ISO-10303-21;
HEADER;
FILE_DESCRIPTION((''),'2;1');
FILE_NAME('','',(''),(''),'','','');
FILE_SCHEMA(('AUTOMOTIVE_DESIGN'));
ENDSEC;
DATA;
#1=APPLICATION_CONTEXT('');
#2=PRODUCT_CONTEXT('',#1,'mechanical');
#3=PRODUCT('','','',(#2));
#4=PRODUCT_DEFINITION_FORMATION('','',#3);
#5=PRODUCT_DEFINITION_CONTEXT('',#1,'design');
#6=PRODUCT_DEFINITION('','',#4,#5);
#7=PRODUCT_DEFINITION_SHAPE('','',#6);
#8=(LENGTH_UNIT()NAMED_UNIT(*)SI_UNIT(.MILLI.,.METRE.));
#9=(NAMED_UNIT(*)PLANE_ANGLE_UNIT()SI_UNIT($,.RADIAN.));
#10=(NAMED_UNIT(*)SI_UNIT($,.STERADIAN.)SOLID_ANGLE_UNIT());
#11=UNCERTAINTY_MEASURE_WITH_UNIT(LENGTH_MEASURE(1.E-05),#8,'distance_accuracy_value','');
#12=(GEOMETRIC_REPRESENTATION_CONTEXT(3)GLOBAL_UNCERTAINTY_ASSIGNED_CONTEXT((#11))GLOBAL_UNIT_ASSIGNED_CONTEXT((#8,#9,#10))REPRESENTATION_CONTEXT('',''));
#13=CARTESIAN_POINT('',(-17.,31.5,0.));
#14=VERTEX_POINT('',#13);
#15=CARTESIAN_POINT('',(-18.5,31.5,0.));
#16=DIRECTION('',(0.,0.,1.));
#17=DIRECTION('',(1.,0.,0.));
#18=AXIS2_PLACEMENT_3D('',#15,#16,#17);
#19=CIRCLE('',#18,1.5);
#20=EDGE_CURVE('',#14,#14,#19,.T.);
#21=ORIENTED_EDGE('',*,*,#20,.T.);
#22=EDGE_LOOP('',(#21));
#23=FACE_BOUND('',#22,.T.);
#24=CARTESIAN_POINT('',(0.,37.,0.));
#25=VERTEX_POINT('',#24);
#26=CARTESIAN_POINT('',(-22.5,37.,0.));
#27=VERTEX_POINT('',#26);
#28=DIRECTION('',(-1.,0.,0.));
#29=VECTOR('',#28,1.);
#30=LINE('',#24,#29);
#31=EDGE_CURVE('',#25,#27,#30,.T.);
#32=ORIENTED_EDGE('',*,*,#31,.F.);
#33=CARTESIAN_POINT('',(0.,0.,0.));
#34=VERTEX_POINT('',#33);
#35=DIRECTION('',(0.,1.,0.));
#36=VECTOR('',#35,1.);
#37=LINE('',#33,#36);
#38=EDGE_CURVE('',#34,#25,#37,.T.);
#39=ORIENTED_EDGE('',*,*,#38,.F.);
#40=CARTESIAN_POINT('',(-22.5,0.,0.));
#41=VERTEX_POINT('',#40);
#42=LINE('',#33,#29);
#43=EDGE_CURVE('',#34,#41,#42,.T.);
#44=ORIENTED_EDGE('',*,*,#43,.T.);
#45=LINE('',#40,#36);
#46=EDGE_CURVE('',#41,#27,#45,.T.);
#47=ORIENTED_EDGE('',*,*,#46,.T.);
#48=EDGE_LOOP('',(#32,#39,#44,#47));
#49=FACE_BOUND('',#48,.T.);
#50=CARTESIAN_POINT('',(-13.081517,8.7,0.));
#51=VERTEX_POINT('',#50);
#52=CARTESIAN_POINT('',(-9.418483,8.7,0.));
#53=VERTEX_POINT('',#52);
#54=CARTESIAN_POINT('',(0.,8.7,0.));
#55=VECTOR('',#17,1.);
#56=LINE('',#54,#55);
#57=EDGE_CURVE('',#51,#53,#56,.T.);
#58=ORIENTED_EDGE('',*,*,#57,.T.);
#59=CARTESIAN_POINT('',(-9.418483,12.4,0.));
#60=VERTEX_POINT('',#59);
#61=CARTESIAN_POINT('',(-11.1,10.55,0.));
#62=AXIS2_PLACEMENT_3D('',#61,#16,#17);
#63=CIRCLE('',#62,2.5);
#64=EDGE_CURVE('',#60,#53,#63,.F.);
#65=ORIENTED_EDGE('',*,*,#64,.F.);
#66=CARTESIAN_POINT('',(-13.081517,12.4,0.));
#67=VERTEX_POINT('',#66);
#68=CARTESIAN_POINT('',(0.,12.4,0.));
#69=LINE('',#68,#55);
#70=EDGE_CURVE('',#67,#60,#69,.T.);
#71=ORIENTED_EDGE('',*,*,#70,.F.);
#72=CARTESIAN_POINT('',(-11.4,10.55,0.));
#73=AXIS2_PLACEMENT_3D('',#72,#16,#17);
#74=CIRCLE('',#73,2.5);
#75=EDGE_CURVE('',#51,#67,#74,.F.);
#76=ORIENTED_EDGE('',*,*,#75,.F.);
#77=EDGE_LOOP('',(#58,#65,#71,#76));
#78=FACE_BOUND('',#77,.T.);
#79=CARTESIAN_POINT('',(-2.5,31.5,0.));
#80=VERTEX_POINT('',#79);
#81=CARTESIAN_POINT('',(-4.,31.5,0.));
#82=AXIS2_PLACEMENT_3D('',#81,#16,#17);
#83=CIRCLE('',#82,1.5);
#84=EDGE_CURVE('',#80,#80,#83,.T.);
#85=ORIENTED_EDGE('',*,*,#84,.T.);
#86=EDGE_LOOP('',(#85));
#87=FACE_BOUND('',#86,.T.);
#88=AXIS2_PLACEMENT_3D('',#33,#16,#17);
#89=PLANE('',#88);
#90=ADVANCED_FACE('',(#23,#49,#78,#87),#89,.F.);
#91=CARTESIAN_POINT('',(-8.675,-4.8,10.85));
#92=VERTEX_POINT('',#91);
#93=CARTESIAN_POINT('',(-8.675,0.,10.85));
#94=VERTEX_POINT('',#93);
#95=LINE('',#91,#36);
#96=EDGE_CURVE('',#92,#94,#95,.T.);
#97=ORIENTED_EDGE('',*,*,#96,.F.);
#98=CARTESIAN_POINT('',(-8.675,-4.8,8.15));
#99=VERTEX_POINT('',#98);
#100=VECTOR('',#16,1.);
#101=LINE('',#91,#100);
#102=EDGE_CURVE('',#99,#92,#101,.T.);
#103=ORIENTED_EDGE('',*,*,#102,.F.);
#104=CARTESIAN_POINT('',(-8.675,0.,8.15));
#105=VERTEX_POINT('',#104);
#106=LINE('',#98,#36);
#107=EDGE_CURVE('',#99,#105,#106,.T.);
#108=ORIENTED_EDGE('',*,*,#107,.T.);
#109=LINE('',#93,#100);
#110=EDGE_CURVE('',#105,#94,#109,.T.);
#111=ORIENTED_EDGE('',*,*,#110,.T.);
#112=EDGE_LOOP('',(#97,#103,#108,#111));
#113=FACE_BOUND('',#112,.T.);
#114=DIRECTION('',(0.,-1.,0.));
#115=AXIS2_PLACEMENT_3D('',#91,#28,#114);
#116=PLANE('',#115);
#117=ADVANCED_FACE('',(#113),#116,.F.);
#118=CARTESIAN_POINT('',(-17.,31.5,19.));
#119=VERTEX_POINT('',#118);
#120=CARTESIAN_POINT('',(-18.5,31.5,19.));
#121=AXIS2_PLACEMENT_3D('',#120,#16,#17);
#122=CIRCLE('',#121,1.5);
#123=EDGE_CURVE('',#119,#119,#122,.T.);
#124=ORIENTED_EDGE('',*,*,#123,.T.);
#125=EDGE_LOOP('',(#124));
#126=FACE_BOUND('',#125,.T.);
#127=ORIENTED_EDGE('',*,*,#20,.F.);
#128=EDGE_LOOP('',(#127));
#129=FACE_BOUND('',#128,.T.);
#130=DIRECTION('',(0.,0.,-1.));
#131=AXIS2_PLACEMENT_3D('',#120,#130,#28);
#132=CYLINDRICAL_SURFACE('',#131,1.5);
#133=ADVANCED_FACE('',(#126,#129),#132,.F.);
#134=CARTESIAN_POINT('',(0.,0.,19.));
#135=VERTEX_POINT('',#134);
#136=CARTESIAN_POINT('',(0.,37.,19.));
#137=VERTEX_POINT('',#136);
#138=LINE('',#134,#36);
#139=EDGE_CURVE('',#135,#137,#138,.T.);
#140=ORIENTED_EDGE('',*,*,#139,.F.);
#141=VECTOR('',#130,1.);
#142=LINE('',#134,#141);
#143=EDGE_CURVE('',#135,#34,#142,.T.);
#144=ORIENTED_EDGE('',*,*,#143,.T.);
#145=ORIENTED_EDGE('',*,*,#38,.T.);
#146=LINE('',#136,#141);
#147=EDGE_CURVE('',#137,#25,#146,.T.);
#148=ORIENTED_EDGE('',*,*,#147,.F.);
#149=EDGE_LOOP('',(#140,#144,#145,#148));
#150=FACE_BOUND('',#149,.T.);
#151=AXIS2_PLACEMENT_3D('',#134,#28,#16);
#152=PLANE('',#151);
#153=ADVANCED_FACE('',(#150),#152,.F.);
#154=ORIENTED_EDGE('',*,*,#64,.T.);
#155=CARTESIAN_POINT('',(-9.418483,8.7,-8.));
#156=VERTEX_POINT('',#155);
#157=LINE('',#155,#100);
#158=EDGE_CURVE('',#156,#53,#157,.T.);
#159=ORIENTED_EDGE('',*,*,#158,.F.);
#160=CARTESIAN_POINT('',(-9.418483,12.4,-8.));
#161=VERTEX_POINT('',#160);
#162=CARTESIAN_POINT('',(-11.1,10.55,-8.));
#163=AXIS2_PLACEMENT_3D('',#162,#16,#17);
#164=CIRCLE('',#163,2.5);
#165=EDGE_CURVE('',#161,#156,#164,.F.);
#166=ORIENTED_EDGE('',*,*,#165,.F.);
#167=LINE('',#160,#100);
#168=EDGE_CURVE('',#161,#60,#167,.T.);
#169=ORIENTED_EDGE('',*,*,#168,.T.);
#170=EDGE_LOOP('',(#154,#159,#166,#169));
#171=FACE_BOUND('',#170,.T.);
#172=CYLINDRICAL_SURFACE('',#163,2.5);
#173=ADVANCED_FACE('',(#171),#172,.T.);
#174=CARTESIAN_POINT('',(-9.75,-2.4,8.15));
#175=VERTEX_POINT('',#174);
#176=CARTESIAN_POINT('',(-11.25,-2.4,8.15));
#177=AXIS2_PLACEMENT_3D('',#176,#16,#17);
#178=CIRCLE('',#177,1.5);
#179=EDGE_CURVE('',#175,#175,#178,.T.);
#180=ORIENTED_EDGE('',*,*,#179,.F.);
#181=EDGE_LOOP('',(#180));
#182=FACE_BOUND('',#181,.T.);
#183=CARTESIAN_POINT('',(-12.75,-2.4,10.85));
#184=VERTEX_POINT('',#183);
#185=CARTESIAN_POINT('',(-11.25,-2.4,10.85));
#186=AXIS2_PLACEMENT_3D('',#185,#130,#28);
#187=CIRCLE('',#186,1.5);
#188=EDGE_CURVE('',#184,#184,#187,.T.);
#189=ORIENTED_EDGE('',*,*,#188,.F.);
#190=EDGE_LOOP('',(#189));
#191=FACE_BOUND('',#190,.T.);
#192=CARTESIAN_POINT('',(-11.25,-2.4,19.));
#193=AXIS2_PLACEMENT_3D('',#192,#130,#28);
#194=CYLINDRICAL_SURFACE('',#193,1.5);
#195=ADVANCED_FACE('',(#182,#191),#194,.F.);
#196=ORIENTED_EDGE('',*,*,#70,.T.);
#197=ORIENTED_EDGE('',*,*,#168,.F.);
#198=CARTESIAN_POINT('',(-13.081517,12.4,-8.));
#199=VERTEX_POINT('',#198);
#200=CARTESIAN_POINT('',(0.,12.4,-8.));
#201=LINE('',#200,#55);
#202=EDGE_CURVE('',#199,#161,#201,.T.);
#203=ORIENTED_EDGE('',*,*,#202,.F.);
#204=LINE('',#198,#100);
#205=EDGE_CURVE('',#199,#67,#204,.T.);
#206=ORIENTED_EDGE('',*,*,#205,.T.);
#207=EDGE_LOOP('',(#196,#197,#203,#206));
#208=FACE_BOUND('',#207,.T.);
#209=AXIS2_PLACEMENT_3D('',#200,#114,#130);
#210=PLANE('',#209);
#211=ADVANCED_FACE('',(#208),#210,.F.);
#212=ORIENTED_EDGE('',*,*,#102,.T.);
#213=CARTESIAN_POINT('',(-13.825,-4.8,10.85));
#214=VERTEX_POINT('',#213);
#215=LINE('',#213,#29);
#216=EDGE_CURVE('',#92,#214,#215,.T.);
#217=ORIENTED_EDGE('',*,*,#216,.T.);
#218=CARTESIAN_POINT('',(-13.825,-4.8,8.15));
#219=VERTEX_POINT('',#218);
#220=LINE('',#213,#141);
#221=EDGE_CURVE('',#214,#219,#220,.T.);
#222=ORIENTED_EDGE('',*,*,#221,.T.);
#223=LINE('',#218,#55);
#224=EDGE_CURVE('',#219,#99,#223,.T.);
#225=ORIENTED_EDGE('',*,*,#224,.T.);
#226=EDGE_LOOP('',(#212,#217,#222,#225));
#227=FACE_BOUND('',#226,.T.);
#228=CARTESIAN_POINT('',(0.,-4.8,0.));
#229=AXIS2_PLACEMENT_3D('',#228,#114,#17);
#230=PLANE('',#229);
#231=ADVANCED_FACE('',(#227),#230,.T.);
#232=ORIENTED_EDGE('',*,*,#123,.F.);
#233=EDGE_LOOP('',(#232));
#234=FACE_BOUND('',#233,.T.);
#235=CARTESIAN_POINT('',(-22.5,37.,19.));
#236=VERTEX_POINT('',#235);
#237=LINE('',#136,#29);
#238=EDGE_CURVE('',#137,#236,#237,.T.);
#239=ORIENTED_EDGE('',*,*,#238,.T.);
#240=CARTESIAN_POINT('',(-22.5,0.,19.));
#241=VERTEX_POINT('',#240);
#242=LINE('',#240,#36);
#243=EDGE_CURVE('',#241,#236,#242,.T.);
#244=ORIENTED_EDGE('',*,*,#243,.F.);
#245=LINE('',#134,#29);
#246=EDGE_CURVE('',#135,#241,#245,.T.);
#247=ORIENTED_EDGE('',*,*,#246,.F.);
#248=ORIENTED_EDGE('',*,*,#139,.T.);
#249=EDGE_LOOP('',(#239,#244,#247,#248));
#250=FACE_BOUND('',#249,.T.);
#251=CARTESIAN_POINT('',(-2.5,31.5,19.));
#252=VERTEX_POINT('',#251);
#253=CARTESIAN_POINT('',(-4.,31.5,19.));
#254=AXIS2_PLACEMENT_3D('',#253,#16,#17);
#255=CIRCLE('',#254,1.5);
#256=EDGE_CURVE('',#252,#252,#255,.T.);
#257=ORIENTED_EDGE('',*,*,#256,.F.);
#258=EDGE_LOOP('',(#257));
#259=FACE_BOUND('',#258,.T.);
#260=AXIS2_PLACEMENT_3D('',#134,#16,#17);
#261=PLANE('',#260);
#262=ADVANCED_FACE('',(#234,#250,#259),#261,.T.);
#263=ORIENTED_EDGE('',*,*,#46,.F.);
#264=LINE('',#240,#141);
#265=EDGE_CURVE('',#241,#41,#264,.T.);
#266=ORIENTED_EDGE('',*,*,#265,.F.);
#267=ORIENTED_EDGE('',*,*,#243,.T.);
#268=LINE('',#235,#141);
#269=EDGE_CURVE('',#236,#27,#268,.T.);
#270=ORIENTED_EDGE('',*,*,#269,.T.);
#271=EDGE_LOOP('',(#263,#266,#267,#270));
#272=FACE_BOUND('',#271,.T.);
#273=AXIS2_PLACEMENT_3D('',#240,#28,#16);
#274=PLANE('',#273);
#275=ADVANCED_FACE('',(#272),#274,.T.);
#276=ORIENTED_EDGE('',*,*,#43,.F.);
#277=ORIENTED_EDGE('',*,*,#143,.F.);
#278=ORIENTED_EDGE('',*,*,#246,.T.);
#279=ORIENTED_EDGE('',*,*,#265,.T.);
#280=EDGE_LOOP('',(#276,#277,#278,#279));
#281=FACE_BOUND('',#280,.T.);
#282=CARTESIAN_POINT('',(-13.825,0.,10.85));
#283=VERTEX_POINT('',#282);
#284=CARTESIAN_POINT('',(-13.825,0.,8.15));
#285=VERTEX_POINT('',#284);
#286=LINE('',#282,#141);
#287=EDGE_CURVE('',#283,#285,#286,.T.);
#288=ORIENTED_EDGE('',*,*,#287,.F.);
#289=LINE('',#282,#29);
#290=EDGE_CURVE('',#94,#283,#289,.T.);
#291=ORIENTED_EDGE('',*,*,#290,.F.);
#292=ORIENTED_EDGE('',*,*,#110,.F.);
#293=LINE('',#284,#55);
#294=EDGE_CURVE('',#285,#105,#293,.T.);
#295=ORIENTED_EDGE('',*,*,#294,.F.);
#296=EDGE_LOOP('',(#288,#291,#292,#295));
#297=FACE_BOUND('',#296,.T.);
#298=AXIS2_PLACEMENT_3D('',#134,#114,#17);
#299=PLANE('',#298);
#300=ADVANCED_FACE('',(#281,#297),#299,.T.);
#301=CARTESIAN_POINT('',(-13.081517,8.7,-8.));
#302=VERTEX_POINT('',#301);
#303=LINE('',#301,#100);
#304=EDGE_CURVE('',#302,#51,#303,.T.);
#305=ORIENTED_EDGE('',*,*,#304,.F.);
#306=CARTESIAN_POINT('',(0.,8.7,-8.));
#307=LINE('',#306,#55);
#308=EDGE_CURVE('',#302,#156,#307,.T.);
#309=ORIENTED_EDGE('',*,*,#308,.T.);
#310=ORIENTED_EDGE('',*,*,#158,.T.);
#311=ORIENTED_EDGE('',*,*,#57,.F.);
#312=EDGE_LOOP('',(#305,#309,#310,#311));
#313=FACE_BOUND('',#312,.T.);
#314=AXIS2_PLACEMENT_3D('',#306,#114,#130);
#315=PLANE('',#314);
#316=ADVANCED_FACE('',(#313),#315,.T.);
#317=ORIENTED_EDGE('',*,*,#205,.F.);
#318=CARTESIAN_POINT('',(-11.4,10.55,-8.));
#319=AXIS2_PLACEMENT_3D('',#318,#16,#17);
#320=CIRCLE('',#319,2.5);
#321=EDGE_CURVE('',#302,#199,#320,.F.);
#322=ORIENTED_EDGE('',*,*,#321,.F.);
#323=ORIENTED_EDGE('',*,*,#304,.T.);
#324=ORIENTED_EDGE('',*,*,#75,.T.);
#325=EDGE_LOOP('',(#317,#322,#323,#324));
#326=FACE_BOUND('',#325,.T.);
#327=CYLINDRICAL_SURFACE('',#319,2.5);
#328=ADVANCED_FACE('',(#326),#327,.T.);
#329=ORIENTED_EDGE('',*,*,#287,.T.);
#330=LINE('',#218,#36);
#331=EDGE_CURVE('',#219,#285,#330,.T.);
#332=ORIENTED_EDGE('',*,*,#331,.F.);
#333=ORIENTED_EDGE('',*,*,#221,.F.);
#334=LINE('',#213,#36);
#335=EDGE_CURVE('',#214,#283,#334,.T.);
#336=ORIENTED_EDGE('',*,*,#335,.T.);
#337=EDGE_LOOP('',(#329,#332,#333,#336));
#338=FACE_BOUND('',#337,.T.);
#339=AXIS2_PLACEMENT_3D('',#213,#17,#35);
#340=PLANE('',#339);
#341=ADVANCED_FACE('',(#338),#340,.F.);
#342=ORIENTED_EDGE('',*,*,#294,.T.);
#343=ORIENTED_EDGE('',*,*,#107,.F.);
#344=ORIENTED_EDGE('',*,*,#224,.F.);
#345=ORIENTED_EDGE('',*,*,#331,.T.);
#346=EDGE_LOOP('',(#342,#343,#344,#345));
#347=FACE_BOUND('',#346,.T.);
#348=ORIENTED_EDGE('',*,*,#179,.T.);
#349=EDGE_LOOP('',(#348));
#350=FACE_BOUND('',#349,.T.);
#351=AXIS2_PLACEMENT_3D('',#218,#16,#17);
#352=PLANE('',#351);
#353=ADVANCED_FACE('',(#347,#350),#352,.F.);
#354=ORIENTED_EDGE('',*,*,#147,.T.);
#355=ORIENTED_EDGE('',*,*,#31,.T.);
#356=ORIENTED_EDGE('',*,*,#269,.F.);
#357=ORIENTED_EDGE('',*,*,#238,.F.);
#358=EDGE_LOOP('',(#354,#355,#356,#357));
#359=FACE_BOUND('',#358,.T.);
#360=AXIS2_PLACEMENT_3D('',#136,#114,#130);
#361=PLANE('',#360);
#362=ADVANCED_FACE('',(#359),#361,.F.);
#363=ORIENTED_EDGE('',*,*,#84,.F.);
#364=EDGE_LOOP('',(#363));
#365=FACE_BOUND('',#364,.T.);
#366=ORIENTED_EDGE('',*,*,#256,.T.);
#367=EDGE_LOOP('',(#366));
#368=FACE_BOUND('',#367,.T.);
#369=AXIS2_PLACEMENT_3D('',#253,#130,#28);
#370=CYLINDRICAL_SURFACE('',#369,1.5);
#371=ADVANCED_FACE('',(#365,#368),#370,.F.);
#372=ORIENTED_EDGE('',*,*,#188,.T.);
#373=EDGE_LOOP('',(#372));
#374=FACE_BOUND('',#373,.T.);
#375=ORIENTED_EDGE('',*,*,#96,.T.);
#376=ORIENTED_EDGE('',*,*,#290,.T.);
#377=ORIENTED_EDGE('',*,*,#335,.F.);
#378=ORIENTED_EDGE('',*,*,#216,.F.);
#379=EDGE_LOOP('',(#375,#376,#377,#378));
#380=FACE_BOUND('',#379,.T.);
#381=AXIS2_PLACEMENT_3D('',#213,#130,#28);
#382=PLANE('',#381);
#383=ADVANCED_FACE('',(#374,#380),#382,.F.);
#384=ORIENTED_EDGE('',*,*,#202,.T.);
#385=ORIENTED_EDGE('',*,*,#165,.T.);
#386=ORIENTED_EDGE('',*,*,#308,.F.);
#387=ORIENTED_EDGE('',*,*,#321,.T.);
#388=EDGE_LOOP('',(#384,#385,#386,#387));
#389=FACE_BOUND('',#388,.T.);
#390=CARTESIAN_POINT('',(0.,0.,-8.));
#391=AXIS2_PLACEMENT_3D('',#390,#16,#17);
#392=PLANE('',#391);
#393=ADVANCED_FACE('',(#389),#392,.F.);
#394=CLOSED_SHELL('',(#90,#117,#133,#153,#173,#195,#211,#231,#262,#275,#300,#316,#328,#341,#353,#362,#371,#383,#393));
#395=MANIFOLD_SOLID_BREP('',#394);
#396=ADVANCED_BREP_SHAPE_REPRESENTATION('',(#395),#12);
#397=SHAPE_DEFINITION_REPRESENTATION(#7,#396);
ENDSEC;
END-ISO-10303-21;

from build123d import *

# Parameters (mm, degrees)
SKETCH1_W               = 22.5
SKETCH1_H               = 37
SKETCH1_R               = 1.5
BOSS_EXTRUDE1_DEPTH     = 19
BOSS_EXTRUDE2_DEPTH     = 8
SKETCH2_W               = 5.15
SKETCH2_H               = 2.7
BOSS_EXTRUDE3_DEPTH     = 4.8
CUT_EXTRUDE1_DEPTH      = 47.217664372
CUT_EXTRUDE1_DEPTH_BACK = 47.217664372
SKETCH3_R               = 1.5


with BuildPart() as part:
    # Sketch1 → Boss-Extrude1 (new body)
    with BuildSketch(Plane.XY):
        with Locations((-11.25, 18.5)):
            Rectangle(SKETCH1_W, SKETCH1_H)
        with Locations((-18.5, 31.5)):
            Circle(SKETCH1_R, mode=Mode.SUBTRACT)
        with Locations((-4, 31.5)):
            Circle(SKETCH1_R, mode=Mode.SUBTRACT)
    extrude(amount=BOSS_EXTRUDE1_DEPTH)

    # Sketch1<3> → Boss-Extrude2 (add)
    with BuildSketch(Plane.XY):
        with BuildLine():
            ThreePointArc((-13.081517172, 12.4), (-13.9, 10.55), (-13.081517172, 8.7))
            Line((-13.081517172, 8.7), (-9.418482828, 8.7))
            ThreePointArc((-9.418482828, 8.7), (-8.6, 10.55), (-9.418482828, 12.4))
            Line((-9.418482828, 12.4), (-13.081517172, 12.4))
        make_face()
    extrude(amount=-BOSS_EXTRUDE2_DEPTH)

    # Sketch2 → Boss-Extrude3 (add)
    with BuildSketch(Plane.XZ):
        with Locations((-11.25, 9.5)):
            Rectangle(SKETCH2_W, SKETCH2_H)
    extrude(amount=BOSS_EXTRUDE3_DEPTH)

    # Sketch3 → Cut-Extrude1 (cut, two sides: drawn at the far end of the back side and taken through both)
    with BuildSketch(Plane(origin=(0, 0, 8.15), x_dir=(-1, 0, 0), z_dir=(0, 0, -1)).offset(-CUT_EXTRUDE1_DEPTH_BACK)):
        with Locations((11.25, -2.4)):
            Circle(SKETCH3_R)
    extrude(amount=CUT_EXTRUDE1_DEPTH + CUT_EXTRUDE1_DEPTH_BACK, mode=Mode.SUBTRACT)


solid = part.part
